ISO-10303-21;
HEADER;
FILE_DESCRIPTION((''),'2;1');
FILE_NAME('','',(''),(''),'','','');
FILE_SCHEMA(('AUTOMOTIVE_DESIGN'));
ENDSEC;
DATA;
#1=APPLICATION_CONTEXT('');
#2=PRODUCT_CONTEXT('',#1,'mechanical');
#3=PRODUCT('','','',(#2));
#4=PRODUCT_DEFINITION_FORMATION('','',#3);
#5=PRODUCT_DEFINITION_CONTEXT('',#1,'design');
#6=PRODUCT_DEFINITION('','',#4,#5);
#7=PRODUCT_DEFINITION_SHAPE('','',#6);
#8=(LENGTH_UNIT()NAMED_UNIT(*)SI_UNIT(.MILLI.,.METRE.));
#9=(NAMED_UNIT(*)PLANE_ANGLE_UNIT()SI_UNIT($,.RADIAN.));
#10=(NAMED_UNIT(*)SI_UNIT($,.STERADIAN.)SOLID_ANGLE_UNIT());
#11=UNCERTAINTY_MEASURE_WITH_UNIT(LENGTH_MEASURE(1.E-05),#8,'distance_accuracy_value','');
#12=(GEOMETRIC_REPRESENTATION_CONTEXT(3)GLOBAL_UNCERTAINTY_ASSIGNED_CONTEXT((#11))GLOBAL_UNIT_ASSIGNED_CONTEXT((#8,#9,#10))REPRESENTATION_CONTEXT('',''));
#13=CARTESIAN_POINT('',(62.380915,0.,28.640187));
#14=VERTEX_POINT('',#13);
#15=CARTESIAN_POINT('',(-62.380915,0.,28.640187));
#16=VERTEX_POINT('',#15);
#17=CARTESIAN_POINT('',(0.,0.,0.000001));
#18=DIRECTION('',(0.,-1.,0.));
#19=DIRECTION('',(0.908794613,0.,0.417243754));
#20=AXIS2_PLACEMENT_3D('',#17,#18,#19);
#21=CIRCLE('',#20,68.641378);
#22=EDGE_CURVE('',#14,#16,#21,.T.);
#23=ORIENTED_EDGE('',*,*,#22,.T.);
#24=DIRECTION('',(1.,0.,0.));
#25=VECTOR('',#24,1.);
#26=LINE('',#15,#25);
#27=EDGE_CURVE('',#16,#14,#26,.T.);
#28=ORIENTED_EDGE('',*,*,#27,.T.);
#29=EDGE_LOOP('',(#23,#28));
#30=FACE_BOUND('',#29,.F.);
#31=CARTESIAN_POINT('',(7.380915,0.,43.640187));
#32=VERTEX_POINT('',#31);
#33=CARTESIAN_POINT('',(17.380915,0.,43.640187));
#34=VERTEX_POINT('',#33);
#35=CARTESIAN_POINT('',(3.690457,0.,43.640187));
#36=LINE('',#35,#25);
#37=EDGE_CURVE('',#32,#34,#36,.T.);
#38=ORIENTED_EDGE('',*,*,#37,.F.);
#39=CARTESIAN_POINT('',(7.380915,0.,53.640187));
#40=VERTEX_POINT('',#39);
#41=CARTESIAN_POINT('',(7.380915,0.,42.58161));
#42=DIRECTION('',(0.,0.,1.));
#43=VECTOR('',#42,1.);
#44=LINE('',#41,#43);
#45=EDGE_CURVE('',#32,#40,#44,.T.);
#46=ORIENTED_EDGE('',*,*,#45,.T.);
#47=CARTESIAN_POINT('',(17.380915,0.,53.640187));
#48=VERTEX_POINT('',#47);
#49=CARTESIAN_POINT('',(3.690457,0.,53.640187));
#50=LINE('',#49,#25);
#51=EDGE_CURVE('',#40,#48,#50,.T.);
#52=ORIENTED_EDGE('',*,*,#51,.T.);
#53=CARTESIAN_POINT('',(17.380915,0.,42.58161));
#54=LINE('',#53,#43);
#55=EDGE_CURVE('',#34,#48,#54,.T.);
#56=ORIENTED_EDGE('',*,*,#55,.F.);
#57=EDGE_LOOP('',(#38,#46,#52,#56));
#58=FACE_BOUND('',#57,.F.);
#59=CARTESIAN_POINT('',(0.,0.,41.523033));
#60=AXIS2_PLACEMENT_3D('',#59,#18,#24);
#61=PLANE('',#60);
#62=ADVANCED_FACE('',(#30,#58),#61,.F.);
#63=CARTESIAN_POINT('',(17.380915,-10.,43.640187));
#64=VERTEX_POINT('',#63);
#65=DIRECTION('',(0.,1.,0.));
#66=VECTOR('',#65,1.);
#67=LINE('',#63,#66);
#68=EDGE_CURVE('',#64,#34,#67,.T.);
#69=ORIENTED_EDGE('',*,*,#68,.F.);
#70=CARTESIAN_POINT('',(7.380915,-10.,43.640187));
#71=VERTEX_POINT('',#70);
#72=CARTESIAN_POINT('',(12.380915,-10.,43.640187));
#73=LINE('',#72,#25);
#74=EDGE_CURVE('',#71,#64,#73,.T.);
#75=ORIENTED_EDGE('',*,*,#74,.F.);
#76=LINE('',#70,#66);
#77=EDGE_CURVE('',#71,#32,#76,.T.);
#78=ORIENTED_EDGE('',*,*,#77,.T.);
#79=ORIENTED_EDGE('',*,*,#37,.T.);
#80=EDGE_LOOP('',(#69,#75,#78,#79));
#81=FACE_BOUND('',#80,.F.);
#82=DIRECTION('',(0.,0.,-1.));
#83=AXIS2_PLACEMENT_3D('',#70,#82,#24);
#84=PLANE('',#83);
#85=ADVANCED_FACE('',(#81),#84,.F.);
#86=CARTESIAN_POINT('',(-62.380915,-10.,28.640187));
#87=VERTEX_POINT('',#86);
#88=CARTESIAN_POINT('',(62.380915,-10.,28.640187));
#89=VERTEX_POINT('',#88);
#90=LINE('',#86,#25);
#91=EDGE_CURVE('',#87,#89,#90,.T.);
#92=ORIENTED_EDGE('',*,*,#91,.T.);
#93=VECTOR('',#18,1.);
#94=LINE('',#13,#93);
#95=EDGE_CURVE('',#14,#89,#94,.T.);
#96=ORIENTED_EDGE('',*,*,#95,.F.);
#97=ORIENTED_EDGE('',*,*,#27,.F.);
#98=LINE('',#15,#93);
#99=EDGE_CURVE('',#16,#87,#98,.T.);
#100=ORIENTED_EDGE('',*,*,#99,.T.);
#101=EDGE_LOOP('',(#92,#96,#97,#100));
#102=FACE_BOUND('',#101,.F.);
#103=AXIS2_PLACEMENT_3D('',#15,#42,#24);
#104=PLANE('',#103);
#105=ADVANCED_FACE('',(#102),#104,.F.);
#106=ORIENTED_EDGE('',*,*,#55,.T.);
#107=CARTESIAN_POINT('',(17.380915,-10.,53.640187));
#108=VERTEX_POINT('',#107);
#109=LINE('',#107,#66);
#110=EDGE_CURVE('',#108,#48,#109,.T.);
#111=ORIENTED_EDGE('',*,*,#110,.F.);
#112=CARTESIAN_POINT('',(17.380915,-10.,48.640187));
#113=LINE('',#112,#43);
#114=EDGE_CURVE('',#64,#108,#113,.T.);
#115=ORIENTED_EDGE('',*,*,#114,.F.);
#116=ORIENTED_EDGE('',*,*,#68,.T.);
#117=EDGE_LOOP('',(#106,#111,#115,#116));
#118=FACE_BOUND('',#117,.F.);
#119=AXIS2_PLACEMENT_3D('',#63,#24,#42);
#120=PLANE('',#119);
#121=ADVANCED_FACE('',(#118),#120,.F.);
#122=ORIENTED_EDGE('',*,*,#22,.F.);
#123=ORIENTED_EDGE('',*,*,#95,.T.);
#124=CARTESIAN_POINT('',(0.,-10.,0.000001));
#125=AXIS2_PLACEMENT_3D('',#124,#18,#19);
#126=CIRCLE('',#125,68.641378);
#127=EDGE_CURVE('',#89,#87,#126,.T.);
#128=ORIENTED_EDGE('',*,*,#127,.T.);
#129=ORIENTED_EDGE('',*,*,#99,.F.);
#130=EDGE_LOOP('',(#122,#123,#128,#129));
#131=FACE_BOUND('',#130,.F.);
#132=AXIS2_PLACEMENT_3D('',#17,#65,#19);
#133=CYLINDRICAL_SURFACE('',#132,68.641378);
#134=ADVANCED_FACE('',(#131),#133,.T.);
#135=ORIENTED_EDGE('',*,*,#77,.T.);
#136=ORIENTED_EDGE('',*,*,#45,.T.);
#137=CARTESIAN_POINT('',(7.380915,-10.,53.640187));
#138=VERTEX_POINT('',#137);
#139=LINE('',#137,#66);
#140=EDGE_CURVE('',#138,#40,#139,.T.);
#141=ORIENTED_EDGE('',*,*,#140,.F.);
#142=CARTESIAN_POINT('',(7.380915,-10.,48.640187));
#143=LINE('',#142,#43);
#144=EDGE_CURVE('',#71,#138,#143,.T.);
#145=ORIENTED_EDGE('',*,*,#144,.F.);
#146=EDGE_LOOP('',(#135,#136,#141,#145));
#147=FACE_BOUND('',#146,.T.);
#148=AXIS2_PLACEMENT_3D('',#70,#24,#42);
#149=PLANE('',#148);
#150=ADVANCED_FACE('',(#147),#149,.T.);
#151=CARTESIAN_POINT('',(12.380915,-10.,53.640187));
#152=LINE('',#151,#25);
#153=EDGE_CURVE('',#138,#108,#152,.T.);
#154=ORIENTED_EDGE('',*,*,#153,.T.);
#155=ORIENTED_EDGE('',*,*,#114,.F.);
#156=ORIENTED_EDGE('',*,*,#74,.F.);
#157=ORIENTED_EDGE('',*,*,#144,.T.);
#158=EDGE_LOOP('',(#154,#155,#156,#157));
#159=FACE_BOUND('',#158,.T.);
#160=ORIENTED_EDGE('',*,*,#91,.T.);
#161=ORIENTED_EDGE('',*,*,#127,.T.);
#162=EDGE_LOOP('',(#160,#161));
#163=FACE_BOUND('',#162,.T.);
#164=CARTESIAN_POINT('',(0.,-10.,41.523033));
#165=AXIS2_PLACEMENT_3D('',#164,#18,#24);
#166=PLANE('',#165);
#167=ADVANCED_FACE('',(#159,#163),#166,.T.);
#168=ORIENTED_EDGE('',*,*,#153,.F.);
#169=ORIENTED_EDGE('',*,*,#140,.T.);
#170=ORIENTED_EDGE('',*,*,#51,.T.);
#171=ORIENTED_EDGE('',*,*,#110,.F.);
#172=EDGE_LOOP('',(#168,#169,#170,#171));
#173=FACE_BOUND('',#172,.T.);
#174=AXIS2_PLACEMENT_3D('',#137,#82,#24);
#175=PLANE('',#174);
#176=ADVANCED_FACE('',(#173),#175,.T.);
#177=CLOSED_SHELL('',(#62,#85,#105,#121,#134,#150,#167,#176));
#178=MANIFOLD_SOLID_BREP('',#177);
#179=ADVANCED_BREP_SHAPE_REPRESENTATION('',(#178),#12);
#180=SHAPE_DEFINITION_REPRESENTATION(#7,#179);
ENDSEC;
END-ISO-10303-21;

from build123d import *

# Parameters (mm, degrees)
F1_DEPTH = 10
F2_W     = 10
F2_H     = 10
F3_DEPTH = 10.001


with BuildPart() as f1:
    # F0 (on Front) → F1 (new body)
    with BuildSketch(Plane.XZ):
        with BuildLine():
            Line((-62.380915, 28.640187), (62.380915, 28.640187))
            ThreePointArc((62.380915, 28.640187), (0, 68.641379), (-62.380915, 28.640187))
        make_face()
    extrude(amount=F1_DEPTH)

    # F2 (on face) → F3 (cut, through all)
    with BuildSketch(Plane.XZ.offset(10)):
        with Locations((12.380915, 48.640187)):
            Rectangle(F2_W, F2_H)
    extrude(amount=-F3_DEPTH, mode=Mode.SUBTRACT)


solid = f1.part
